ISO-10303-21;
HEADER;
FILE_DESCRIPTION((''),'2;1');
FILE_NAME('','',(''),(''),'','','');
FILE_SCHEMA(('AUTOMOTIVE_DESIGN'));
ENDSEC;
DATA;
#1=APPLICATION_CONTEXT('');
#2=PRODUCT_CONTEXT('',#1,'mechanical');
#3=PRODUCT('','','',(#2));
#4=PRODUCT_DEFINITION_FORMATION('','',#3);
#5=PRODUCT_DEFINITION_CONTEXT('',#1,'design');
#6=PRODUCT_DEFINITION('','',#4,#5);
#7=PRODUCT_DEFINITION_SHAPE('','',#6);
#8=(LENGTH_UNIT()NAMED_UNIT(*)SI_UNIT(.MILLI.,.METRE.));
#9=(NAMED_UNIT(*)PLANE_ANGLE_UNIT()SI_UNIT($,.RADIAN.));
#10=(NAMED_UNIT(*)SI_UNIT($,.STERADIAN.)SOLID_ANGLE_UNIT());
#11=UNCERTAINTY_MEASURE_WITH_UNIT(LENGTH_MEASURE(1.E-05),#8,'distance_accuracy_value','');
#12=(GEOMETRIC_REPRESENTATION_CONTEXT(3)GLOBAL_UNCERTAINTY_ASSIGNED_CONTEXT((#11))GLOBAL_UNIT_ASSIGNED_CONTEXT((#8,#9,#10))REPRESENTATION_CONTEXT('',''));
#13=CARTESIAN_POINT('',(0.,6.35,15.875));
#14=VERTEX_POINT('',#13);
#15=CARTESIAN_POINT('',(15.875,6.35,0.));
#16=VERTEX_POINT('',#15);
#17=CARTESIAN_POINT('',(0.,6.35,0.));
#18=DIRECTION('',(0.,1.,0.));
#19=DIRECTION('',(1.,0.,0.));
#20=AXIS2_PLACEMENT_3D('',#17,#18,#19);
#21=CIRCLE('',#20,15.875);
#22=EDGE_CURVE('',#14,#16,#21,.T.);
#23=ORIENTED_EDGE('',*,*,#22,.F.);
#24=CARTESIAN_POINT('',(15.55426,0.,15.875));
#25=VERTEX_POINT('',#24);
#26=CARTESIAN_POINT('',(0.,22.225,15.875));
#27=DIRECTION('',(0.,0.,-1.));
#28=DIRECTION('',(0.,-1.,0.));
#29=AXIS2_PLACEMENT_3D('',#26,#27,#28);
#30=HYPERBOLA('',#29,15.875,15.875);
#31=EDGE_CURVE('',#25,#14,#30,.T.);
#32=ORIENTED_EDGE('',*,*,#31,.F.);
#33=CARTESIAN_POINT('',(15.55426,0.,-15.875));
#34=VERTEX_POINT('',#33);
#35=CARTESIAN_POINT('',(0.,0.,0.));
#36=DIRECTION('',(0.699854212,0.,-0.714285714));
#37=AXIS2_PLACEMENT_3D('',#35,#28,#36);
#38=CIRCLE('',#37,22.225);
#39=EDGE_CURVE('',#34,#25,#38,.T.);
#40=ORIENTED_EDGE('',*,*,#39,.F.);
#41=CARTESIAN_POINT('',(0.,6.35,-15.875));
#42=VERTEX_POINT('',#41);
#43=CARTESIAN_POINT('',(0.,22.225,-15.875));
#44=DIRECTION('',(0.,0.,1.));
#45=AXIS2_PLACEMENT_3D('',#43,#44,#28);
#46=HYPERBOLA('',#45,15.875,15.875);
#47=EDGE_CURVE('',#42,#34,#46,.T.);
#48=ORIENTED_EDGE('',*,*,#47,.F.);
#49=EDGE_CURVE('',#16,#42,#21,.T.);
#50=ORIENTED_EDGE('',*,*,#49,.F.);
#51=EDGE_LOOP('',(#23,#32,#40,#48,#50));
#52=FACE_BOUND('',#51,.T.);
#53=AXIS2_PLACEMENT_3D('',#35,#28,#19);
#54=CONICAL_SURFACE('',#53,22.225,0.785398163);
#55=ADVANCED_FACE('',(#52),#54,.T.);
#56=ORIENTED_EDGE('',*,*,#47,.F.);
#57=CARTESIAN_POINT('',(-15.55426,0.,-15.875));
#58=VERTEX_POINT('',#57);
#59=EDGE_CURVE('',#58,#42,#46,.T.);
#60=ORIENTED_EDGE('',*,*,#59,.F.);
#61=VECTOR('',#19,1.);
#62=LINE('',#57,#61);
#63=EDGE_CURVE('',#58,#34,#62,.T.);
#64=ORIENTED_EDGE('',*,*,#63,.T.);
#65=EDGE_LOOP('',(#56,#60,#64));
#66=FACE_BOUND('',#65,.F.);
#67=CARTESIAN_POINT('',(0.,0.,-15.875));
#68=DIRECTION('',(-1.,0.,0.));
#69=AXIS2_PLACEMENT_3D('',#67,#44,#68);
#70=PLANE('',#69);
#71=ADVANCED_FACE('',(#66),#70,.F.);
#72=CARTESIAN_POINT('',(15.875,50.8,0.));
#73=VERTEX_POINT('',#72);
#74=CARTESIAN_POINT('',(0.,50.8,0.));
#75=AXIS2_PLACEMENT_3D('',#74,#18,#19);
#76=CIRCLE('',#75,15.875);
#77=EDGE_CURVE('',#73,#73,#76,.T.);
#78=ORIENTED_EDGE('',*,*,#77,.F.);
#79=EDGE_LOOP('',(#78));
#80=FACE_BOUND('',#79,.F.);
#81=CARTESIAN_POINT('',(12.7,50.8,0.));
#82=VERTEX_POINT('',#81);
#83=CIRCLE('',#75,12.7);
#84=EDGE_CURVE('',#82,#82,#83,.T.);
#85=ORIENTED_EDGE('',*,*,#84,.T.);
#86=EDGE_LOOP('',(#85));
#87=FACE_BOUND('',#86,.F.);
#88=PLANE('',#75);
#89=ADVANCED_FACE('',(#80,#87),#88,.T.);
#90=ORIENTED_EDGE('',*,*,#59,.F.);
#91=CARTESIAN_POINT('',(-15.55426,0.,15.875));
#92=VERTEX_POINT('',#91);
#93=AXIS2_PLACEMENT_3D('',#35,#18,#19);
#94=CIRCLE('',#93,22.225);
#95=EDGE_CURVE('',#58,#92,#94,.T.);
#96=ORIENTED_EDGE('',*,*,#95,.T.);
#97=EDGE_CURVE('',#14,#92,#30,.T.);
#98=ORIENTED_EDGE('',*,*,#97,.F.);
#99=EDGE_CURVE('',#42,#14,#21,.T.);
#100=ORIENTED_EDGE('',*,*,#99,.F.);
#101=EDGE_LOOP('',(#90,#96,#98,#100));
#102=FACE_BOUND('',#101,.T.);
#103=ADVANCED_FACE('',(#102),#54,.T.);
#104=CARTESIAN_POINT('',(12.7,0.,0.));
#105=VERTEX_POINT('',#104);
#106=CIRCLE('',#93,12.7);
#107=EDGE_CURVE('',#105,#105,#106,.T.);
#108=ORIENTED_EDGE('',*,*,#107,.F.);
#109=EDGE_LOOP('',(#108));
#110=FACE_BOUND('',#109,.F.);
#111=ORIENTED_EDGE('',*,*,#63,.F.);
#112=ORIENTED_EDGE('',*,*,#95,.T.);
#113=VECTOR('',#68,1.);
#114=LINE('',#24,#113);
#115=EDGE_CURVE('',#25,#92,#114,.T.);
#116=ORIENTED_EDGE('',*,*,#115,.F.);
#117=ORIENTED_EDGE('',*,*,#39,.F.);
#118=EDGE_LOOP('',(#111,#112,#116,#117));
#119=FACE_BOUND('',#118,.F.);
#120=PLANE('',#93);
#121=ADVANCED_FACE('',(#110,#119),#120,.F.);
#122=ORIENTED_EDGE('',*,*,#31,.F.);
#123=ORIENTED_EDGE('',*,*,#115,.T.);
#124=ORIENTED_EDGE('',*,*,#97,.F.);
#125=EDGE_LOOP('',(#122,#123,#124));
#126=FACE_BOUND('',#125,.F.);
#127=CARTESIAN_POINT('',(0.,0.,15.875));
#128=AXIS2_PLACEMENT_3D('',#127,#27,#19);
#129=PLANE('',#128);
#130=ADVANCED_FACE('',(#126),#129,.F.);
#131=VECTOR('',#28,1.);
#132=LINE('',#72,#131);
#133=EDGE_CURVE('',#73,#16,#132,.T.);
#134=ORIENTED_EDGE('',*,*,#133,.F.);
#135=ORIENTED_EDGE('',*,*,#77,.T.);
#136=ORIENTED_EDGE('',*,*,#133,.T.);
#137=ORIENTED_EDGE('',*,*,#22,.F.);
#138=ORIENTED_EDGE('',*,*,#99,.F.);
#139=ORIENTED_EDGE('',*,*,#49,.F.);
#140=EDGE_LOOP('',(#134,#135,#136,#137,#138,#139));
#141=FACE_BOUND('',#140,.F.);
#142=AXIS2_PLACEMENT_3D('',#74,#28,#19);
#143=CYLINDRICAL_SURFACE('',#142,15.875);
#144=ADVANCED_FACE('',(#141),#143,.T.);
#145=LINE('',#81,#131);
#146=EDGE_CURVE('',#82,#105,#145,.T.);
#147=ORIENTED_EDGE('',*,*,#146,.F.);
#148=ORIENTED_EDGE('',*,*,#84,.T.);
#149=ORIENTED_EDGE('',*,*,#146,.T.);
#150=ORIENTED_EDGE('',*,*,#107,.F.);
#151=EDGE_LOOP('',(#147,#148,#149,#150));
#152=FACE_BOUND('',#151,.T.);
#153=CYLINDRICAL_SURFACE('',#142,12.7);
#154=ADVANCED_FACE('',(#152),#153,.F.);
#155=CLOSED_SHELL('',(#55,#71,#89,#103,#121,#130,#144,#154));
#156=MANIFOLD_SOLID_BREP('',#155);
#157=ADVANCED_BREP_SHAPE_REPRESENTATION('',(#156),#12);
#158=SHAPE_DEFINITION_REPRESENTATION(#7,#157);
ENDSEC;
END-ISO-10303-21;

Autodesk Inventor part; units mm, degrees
ref_plane "YZ Plane" through (0, 0, 0) normal (1, 0, 0) x (0, 1, 0)
ref_plane "XZ Plane" through (0, 0, 0) normal (0, 1, 0) x (-1, 0, 0)
ref_plane "XY Plane" through (0, 0, 0) normal (0, 0, 1) x (1, 0, 0)
sketch "Sketch2" plane through (0, 0, 0) normal (0, 0, 1) x (1, 0, 0)
  line L0 (0, 0) -> (0, 50.8) construction
  line L1 (0, 50.8) -> (12.7, 50.8) construction
  line L2 (12.7, 50.8) -> (12.7, 0)
  line L3 (12.7, 0) -> (0, 0) construction
  line L4 (12.7, 50.8) -> (15.875, 50.8)
  line L5 (15.875, 50.8) -> (15.875, 0)
  line L6 (15.875, 0) -> (12.7, 0)
  line L7 (12.7, 0) -> (12.7, 50.8)
  line L8 (15.875, 0) -> (22.225, 0)
  line L9 (22.225, 0) -> (15.875, 6.35)
  dimension "d3" = 50.8
  dimension "d4" = 12.7
  dimension "d5" = 3.175
  dimension "d6" = 45
  dimension "d7" = 6.35
revolve "Revolution1" add sketch "Sketch2" angle 360 about axis through (0, 0, 0) along (0, 1, 0)
sketch "Sketch3" plane through (0, 0, 0) normal (0, -1, 0) x (1, 0, 0)
  line L0 (-22.225, 15.875) -> (22.225, 15.875)
  line L1 (22.225, 15.875) -> (22.225, -15.875)
  line L2 (22.225, -15.875) -> (-22.225, -15.875)
  line L3 (-22.225, -15.875) -> (-22.225, 15.875)
  line L4 (-22.225, 15.875) -> (22.225, -15.875) construction
  line L5 (22.225, 15.875) -> (-22.225, -15.875) construction
  circle A0 centre (0, 0) radius 12.7 projected
  circle A1 centre (0, 0) radius 22.225 projected
  circle A2 centre (0, 0) radius 15.875 projected
  point P0 (15.5543, 15.875)
  point P1 (-15.5543, 15.875)
  point P2 (-15.5543, -15.875)
  point P3 (15.5543, -15.875)
extrude "Extrusion1" cut sketch "Sketch3" against normal through all contours A1 L0 | L2 A1
properties part number "Drill Bit Guide"
